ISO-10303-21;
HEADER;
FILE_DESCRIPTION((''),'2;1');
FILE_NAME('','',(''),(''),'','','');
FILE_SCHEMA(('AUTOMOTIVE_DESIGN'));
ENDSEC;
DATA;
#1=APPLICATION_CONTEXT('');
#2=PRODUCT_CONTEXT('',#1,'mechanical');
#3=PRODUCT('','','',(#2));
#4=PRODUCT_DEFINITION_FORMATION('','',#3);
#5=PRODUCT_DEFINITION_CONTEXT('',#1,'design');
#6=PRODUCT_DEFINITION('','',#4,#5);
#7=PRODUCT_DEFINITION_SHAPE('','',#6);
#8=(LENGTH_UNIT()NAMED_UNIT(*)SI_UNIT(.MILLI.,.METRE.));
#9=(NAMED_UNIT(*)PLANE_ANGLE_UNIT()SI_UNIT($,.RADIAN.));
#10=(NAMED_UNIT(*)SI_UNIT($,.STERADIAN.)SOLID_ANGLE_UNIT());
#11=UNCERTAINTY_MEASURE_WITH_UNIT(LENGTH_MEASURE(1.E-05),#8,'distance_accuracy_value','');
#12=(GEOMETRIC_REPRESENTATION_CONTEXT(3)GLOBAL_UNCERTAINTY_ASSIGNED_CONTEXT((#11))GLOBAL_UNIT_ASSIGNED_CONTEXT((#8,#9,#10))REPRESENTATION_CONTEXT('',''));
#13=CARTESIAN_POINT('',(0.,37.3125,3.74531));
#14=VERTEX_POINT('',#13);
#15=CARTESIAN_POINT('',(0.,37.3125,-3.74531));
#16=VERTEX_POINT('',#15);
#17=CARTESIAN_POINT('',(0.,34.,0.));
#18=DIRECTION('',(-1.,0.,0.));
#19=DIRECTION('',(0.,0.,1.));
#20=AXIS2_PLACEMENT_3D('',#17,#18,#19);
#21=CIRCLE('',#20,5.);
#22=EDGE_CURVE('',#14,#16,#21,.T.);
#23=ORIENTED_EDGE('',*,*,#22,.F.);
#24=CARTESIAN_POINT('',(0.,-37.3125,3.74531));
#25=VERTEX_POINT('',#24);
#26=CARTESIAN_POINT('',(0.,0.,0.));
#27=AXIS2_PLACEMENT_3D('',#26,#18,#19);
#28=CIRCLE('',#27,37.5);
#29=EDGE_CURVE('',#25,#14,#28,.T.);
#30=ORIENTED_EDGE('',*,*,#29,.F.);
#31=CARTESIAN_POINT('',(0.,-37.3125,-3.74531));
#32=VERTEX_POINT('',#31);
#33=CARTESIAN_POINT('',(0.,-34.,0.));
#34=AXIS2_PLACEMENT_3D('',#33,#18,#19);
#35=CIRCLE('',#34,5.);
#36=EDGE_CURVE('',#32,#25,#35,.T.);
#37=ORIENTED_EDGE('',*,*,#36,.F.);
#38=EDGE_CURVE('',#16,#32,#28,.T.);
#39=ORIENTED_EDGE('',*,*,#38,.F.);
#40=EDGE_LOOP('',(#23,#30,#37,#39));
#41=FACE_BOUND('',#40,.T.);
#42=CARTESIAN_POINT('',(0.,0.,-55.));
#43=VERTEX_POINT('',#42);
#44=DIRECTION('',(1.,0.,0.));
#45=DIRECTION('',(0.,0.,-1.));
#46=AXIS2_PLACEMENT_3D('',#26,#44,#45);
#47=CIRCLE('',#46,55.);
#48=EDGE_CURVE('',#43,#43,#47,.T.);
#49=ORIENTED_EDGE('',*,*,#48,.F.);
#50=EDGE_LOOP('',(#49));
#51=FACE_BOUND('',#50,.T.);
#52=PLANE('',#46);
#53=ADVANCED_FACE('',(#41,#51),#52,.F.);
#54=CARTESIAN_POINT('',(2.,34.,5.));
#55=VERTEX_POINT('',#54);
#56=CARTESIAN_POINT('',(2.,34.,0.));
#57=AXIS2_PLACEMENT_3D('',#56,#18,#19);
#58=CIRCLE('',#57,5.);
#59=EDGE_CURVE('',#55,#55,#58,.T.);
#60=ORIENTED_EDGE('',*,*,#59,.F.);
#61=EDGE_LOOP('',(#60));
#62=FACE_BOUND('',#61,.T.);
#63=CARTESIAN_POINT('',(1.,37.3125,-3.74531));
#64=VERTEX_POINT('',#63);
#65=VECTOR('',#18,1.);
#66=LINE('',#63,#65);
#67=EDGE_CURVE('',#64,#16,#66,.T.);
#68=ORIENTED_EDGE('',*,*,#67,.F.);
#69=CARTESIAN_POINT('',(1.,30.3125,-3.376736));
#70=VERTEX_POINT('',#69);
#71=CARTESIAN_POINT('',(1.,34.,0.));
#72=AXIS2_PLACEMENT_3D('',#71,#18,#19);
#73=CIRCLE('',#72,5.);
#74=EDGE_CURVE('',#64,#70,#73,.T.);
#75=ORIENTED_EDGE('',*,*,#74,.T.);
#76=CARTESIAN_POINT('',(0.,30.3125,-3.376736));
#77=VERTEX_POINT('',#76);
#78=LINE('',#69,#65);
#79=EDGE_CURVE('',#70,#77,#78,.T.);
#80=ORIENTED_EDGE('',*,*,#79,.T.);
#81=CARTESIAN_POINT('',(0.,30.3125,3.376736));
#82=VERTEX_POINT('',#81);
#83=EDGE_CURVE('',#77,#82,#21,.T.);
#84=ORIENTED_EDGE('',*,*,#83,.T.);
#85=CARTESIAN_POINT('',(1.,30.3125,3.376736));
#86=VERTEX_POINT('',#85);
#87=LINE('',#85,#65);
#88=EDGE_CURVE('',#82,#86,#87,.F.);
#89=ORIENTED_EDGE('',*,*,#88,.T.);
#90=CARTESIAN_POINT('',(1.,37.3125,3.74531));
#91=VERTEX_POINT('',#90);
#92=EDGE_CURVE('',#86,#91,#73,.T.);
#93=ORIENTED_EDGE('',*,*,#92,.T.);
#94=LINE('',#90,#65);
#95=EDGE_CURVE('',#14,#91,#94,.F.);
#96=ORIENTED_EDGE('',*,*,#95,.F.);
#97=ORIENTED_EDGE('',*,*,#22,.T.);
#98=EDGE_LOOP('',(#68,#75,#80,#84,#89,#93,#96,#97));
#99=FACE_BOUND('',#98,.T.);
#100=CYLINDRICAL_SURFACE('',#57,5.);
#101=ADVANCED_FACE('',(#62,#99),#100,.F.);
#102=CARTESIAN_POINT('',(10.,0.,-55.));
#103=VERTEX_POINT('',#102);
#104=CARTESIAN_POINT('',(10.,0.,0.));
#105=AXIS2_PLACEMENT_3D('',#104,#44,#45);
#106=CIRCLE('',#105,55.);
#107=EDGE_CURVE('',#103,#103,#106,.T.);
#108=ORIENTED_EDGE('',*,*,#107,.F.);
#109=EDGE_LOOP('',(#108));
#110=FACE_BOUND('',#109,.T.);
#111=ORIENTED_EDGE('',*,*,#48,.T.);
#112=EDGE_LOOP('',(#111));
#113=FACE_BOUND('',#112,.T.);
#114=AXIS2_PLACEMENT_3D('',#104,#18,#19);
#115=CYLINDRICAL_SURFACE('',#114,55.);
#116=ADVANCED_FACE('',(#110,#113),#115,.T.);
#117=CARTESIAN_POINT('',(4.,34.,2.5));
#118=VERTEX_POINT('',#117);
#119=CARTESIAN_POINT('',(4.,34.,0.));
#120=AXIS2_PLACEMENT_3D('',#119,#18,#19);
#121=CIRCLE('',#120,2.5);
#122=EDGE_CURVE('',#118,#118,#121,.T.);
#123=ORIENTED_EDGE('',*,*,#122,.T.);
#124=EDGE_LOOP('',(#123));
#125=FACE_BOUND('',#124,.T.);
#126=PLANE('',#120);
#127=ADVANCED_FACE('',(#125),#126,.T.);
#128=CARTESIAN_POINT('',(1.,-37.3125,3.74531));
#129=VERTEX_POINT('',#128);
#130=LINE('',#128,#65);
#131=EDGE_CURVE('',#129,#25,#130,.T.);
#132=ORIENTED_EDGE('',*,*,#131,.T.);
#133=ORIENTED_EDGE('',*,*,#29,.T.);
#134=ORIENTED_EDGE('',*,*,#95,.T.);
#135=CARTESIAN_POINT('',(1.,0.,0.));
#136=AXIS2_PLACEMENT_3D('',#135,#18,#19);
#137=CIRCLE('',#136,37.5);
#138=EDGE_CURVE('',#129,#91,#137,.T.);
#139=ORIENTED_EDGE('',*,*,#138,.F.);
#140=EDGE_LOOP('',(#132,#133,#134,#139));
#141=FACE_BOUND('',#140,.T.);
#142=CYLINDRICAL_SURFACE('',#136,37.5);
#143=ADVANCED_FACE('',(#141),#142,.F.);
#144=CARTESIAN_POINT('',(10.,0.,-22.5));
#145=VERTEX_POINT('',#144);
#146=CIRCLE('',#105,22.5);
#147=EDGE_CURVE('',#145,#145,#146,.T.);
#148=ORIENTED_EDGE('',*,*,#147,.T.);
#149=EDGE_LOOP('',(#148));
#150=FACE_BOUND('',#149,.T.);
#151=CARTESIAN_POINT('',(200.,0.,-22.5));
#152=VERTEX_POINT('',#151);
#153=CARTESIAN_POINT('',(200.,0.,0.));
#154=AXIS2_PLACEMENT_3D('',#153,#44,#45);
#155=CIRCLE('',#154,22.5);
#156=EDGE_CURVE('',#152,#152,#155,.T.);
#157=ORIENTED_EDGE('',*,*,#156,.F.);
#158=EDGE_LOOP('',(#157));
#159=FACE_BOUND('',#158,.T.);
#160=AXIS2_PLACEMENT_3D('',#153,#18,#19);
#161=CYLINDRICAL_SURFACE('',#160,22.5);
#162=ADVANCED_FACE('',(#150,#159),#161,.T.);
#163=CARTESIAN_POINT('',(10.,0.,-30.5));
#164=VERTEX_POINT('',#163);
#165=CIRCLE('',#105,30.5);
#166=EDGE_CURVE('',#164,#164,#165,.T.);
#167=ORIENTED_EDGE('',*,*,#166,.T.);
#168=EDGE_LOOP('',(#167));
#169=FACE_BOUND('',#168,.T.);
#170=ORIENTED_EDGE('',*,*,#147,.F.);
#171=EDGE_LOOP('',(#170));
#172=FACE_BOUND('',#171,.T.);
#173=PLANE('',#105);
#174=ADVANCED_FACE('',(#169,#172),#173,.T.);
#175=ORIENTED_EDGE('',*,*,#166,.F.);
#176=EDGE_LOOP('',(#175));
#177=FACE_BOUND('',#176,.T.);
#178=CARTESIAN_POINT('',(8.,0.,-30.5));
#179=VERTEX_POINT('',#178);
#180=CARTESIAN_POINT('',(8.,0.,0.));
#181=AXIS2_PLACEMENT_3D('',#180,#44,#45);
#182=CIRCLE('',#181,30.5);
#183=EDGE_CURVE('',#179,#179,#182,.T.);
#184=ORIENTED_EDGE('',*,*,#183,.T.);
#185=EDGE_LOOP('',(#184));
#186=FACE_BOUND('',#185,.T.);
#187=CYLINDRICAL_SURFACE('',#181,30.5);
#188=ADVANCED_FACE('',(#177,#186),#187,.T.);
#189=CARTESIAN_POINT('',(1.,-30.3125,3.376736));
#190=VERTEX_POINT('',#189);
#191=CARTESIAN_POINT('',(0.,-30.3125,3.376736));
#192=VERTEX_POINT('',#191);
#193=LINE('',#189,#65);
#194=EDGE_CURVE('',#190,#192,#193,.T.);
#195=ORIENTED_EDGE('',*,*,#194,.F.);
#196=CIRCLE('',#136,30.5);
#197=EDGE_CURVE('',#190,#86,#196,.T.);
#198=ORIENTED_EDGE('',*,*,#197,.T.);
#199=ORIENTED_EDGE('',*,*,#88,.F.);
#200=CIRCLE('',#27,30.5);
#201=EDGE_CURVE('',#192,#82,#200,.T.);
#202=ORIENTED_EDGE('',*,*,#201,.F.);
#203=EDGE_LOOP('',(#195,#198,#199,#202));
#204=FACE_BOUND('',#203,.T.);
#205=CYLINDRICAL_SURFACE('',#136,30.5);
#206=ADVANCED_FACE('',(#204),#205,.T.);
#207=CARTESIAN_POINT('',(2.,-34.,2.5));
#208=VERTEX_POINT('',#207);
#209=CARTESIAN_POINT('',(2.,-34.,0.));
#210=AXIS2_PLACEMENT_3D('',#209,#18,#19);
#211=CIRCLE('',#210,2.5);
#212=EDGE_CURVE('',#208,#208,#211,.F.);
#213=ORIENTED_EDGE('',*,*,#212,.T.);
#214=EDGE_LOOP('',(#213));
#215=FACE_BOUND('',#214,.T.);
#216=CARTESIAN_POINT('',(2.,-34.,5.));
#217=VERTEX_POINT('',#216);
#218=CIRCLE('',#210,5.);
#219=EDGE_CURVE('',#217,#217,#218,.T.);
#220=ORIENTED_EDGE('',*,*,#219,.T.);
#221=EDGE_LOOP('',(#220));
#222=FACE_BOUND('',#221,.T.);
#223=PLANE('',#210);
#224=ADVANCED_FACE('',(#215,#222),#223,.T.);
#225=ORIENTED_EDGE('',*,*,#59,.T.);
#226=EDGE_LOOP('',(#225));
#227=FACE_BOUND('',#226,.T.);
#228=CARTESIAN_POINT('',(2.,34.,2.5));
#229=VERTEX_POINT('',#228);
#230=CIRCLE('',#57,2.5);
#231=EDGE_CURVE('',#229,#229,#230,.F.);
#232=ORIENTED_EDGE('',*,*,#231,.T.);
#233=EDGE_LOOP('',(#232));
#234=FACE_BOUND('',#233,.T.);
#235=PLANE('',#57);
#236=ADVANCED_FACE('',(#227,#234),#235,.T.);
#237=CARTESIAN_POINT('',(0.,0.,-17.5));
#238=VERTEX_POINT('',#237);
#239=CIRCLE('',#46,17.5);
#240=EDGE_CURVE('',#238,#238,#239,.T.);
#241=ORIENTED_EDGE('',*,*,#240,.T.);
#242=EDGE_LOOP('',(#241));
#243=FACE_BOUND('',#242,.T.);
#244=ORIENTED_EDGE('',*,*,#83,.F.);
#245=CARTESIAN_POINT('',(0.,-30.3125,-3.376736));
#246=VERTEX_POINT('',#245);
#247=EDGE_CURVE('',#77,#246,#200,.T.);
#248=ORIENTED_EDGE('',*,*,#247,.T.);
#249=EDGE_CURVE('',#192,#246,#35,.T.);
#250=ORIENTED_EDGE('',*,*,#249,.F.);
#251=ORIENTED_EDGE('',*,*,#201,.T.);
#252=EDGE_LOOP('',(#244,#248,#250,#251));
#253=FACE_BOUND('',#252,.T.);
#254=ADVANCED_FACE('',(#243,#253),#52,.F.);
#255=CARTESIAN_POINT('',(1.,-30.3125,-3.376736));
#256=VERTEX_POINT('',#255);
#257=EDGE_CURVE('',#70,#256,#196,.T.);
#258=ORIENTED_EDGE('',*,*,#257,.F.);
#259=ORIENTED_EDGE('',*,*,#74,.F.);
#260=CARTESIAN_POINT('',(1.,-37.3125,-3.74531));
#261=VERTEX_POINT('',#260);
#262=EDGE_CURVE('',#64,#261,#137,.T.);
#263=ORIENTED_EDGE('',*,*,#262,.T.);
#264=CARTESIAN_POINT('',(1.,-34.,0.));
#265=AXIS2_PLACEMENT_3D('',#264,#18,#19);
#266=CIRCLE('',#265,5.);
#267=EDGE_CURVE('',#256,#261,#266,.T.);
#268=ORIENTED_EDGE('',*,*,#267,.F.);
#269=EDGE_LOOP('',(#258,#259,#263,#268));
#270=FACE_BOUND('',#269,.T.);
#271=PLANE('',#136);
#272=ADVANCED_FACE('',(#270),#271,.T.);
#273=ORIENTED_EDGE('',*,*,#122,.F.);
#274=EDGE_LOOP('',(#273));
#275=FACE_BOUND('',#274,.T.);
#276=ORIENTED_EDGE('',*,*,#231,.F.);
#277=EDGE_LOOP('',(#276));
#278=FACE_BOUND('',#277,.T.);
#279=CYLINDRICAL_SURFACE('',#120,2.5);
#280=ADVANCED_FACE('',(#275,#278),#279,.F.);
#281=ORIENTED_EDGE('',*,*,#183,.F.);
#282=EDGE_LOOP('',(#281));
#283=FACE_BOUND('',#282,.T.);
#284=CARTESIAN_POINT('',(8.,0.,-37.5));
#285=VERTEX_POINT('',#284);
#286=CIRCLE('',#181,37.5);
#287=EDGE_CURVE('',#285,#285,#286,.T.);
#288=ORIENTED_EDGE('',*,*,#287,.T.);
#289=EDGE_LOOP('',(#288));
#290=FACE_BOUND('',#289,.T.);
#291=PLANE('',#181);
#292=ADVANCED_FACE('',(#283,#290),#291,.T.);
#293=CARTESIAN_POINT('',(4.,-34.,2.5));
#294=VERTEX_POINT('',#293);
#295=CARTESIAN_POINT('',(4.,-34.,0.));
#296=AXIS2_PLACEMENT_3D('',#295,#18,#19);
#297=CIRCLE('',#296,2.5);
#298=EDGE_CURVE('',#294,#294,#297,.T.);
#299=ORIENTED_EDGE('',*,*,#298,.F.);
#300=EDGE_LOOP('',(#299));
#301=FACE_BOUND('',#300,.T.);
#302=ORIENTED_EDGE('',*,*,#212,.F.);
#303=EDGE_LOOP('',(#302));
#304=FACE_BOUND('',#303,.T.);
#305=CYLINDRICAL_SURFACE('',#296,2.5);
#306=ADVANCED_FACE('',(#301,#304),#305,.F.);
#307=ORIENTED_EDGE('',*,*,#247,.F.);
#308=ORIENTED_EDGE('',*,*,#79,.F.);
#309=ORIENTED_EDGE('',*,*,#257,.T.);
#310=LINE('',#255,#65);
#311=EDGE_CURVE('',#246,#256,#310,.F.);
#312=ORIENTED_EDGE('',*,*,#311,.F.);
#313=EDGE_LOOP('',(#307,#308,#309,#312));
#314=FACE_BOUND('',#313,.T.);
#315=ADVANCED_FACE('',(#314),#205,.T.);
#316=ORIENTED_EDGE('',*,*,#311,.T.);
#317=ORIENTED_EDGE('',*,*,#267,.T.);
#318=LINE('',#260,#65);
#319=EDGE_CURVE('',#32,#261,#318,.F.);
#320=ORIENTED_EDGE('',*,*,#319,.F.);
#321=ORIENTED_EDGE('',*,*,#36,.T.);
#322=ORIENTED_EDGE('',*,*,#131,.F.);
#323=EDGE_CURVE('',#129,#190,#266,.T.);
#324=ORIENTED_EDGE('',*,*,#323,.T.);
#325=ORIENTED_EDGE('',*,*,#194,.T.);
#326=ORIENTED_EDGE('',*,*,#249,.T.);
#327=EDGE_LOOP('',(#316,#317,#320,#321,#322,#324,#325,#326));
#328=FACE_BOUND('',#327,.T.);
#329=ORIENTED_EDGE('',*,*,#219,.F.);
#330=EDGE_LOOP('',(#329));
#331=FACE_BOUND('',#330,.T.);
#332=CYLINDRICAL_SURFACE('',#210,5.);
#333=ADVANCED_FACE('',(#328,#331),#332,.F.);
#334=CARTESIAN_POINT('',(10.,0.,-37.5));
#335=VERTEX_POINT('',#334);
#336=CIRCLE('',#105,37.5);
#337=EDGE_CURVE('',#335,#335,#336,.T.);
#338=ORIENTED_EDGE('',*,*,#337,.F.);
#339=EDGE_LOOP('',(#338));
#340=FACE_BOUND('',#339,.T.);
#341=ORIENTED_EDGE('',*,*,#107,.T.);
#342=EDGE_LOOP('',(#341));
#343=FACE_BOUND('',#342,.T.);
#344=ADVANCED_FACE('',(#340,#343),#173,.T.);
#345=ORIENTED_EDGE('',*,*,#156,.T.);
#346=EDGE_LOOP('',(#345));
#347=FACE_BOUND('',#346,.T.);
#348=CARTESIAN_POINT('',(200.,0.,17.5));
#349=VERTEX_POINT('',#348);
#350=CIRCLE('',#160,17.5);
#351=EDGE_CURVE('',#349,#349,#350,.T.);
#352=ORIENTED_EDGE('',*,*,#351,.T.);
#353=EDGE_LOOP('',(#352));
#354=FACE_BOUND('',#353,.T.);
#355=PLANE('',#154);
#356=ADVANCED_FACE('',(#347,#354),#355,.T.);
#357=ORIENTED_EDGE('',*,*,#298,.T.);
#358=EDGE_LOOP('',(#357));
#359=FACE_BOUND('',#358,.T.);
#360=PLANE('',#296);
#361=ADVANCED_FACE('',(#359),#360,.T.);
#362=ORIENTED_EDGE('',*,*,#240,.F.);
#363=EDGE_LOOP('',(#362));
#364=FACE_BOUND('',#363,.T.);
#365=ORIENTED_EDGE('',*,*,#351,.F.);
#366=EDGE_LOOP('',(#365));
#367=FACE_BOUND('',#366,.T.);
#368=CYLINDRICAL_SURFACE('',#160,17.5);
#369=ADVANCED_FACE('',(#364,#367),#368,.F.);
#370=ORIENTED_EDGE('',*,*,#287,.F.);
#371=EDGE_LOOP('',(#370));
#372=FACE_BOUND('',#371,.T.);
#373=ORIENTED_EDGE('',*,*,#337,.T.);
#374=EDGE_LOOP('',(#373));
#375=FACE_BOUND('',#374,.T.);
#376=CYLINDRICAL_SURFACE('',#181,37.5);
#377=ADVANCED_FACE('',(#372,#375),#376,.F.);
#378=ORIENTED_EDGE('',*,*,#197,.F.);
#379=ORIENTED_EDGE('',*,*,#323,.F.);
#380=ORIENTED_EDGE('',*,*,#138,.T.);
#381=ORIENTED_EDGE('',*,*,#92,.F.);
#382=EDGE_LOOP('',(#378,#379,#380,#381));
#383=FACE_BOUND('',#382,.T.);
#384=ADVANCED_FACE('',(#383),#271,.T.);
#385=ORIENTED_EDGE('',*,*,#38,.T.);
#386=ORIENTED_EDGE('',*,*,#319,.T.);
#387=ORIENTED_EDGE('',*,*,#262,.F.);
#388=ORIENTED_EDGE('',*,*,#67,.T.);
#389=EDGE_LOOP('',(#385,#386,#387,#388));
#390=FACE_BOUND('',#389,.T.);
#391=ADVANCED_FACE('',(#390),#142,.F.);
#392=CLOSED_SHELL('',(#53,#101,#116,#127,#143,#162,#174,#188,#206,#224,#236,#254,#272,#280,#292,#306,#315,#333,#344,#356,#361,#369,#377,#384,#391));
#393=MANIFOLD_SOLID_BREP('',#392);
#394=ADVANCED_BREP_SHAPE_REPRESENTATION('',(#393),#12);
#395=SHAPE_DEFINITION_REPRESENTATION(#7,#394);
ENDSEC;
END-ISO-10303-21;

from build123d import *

# Parameters (mm, degrees)
SKETCH2_R               = 55
BOSS_EXTRUDE1_DEPTH     = 10
SKETCH3_R               = 22.5
BOSS_EXTRUDE2_DEPTH     = 190
SKETCH4_R               = 17.5
CUT_EXTRUDE1_DEPTH      = 1
CUT_EXTRUDE1_DEPTH_BACK = 201
SKETCH14_R              = 37.5
SKETCH14_R_2            = 30.5
CUT_EXTRUDE5_DEPTH      = 1
SKETCH15_R              = 37.5
SKETCH15_R_2            = 30.5
CUT_EXTRUDE6_DEPTH      = 2
SKETCH16_R              = 2.5
CUT_EXTRUDE7_DEPTH      = 4
SKETCH17_R              = 5
CUT_EXTRUDE8_DEPTH      = 2


with BuildPart() as part:
    # Sketch2 → Boss-Extrude1 (new body)
    with BuildSketch(Plane(origin=(0, 0, 0), x_dir=(0, 0, -1), z_dir=(1, 0, 0))):
        Circle(SKETCH2_R)
    extrude(amount=BOSS_EXTRUDE1_DEPTH)

    # Sketch3 → Boss-Extrude2 (add)
    with BuildSketch(Plane(origin=(10, 0, 0), x_dir=(0, 0, -1), z_dir=(1, 0, 0))):
        Circle(SKETCH3_R)
    extrude(amount=BOSS_EXTRUDE2_DEPTH)

    # Sketch4 → Cut-Extrude1 (cut, two sides)
    with BuildSketch(Plane.ZY) as cut_extrude1_sk:
        Circle(SKETCH4_R)
    extrude(amount=CUT_EXTRUDE1_DEPTH, mode=Mode.SUBTRACT)
    extrude(cut_extrude1_sk.sketch, amount=-CUT_EXTRUDE1_DEPTH_BACK, mode=Mode.SUBTRACT)

    # Sketch14 → Cut-Extrude5 (cut)
    with BuildSketch(Plane.ZY):
        Circle(SKETCH14_R)
        Circle(SKETCH14_R_2, mode=Mode.SUBTRACT)
    extrude(amount=-CUT_EXTRUDE5_DEPTH, mode=Mode.SUBTRACT)

    # Sketch15 → Cut-Extrude6 (cut)
    with BuildSketch(Plane(origin=(10, 0, 0), x_dir=(0, 0, -1), z_dir=(1, 0, 0))):
        Circle(SKETCH15_R)
        Circle(SKETCH15_R_2, mode=Mode.SUBTRACT)
    extrude(amount=-CUT_EXTRUDE6_DEPTH, mode=Mode.SUBTRACT)

    # Sketch16 → Cut-Extrude7 (cut)
    with BuildSketch(Plane.ZY):
        with Locations((0, 34)):
            Circle(SKETCH16_R)
        with Locations((0, -34)):
            Circle(SKETCH16_R)
    extrude(amount=-CUT_EXTRUDE7_DEPTH, mode=Mode.SUBTRACT)

    # Sketch17 → Cut-Extrude8 (cut)
    with BuildSketch(Plane.ZY):
        with Locations((0, -34)):
            Circle(SKETCH17_R)
        with Locations((0, 34)):
            Circle(SKETCH17_R)
    extrude(amount=-CUT_EXTRUDE8_DEPTH, mode=Mode.SUBTRACT)


solid = part.part
